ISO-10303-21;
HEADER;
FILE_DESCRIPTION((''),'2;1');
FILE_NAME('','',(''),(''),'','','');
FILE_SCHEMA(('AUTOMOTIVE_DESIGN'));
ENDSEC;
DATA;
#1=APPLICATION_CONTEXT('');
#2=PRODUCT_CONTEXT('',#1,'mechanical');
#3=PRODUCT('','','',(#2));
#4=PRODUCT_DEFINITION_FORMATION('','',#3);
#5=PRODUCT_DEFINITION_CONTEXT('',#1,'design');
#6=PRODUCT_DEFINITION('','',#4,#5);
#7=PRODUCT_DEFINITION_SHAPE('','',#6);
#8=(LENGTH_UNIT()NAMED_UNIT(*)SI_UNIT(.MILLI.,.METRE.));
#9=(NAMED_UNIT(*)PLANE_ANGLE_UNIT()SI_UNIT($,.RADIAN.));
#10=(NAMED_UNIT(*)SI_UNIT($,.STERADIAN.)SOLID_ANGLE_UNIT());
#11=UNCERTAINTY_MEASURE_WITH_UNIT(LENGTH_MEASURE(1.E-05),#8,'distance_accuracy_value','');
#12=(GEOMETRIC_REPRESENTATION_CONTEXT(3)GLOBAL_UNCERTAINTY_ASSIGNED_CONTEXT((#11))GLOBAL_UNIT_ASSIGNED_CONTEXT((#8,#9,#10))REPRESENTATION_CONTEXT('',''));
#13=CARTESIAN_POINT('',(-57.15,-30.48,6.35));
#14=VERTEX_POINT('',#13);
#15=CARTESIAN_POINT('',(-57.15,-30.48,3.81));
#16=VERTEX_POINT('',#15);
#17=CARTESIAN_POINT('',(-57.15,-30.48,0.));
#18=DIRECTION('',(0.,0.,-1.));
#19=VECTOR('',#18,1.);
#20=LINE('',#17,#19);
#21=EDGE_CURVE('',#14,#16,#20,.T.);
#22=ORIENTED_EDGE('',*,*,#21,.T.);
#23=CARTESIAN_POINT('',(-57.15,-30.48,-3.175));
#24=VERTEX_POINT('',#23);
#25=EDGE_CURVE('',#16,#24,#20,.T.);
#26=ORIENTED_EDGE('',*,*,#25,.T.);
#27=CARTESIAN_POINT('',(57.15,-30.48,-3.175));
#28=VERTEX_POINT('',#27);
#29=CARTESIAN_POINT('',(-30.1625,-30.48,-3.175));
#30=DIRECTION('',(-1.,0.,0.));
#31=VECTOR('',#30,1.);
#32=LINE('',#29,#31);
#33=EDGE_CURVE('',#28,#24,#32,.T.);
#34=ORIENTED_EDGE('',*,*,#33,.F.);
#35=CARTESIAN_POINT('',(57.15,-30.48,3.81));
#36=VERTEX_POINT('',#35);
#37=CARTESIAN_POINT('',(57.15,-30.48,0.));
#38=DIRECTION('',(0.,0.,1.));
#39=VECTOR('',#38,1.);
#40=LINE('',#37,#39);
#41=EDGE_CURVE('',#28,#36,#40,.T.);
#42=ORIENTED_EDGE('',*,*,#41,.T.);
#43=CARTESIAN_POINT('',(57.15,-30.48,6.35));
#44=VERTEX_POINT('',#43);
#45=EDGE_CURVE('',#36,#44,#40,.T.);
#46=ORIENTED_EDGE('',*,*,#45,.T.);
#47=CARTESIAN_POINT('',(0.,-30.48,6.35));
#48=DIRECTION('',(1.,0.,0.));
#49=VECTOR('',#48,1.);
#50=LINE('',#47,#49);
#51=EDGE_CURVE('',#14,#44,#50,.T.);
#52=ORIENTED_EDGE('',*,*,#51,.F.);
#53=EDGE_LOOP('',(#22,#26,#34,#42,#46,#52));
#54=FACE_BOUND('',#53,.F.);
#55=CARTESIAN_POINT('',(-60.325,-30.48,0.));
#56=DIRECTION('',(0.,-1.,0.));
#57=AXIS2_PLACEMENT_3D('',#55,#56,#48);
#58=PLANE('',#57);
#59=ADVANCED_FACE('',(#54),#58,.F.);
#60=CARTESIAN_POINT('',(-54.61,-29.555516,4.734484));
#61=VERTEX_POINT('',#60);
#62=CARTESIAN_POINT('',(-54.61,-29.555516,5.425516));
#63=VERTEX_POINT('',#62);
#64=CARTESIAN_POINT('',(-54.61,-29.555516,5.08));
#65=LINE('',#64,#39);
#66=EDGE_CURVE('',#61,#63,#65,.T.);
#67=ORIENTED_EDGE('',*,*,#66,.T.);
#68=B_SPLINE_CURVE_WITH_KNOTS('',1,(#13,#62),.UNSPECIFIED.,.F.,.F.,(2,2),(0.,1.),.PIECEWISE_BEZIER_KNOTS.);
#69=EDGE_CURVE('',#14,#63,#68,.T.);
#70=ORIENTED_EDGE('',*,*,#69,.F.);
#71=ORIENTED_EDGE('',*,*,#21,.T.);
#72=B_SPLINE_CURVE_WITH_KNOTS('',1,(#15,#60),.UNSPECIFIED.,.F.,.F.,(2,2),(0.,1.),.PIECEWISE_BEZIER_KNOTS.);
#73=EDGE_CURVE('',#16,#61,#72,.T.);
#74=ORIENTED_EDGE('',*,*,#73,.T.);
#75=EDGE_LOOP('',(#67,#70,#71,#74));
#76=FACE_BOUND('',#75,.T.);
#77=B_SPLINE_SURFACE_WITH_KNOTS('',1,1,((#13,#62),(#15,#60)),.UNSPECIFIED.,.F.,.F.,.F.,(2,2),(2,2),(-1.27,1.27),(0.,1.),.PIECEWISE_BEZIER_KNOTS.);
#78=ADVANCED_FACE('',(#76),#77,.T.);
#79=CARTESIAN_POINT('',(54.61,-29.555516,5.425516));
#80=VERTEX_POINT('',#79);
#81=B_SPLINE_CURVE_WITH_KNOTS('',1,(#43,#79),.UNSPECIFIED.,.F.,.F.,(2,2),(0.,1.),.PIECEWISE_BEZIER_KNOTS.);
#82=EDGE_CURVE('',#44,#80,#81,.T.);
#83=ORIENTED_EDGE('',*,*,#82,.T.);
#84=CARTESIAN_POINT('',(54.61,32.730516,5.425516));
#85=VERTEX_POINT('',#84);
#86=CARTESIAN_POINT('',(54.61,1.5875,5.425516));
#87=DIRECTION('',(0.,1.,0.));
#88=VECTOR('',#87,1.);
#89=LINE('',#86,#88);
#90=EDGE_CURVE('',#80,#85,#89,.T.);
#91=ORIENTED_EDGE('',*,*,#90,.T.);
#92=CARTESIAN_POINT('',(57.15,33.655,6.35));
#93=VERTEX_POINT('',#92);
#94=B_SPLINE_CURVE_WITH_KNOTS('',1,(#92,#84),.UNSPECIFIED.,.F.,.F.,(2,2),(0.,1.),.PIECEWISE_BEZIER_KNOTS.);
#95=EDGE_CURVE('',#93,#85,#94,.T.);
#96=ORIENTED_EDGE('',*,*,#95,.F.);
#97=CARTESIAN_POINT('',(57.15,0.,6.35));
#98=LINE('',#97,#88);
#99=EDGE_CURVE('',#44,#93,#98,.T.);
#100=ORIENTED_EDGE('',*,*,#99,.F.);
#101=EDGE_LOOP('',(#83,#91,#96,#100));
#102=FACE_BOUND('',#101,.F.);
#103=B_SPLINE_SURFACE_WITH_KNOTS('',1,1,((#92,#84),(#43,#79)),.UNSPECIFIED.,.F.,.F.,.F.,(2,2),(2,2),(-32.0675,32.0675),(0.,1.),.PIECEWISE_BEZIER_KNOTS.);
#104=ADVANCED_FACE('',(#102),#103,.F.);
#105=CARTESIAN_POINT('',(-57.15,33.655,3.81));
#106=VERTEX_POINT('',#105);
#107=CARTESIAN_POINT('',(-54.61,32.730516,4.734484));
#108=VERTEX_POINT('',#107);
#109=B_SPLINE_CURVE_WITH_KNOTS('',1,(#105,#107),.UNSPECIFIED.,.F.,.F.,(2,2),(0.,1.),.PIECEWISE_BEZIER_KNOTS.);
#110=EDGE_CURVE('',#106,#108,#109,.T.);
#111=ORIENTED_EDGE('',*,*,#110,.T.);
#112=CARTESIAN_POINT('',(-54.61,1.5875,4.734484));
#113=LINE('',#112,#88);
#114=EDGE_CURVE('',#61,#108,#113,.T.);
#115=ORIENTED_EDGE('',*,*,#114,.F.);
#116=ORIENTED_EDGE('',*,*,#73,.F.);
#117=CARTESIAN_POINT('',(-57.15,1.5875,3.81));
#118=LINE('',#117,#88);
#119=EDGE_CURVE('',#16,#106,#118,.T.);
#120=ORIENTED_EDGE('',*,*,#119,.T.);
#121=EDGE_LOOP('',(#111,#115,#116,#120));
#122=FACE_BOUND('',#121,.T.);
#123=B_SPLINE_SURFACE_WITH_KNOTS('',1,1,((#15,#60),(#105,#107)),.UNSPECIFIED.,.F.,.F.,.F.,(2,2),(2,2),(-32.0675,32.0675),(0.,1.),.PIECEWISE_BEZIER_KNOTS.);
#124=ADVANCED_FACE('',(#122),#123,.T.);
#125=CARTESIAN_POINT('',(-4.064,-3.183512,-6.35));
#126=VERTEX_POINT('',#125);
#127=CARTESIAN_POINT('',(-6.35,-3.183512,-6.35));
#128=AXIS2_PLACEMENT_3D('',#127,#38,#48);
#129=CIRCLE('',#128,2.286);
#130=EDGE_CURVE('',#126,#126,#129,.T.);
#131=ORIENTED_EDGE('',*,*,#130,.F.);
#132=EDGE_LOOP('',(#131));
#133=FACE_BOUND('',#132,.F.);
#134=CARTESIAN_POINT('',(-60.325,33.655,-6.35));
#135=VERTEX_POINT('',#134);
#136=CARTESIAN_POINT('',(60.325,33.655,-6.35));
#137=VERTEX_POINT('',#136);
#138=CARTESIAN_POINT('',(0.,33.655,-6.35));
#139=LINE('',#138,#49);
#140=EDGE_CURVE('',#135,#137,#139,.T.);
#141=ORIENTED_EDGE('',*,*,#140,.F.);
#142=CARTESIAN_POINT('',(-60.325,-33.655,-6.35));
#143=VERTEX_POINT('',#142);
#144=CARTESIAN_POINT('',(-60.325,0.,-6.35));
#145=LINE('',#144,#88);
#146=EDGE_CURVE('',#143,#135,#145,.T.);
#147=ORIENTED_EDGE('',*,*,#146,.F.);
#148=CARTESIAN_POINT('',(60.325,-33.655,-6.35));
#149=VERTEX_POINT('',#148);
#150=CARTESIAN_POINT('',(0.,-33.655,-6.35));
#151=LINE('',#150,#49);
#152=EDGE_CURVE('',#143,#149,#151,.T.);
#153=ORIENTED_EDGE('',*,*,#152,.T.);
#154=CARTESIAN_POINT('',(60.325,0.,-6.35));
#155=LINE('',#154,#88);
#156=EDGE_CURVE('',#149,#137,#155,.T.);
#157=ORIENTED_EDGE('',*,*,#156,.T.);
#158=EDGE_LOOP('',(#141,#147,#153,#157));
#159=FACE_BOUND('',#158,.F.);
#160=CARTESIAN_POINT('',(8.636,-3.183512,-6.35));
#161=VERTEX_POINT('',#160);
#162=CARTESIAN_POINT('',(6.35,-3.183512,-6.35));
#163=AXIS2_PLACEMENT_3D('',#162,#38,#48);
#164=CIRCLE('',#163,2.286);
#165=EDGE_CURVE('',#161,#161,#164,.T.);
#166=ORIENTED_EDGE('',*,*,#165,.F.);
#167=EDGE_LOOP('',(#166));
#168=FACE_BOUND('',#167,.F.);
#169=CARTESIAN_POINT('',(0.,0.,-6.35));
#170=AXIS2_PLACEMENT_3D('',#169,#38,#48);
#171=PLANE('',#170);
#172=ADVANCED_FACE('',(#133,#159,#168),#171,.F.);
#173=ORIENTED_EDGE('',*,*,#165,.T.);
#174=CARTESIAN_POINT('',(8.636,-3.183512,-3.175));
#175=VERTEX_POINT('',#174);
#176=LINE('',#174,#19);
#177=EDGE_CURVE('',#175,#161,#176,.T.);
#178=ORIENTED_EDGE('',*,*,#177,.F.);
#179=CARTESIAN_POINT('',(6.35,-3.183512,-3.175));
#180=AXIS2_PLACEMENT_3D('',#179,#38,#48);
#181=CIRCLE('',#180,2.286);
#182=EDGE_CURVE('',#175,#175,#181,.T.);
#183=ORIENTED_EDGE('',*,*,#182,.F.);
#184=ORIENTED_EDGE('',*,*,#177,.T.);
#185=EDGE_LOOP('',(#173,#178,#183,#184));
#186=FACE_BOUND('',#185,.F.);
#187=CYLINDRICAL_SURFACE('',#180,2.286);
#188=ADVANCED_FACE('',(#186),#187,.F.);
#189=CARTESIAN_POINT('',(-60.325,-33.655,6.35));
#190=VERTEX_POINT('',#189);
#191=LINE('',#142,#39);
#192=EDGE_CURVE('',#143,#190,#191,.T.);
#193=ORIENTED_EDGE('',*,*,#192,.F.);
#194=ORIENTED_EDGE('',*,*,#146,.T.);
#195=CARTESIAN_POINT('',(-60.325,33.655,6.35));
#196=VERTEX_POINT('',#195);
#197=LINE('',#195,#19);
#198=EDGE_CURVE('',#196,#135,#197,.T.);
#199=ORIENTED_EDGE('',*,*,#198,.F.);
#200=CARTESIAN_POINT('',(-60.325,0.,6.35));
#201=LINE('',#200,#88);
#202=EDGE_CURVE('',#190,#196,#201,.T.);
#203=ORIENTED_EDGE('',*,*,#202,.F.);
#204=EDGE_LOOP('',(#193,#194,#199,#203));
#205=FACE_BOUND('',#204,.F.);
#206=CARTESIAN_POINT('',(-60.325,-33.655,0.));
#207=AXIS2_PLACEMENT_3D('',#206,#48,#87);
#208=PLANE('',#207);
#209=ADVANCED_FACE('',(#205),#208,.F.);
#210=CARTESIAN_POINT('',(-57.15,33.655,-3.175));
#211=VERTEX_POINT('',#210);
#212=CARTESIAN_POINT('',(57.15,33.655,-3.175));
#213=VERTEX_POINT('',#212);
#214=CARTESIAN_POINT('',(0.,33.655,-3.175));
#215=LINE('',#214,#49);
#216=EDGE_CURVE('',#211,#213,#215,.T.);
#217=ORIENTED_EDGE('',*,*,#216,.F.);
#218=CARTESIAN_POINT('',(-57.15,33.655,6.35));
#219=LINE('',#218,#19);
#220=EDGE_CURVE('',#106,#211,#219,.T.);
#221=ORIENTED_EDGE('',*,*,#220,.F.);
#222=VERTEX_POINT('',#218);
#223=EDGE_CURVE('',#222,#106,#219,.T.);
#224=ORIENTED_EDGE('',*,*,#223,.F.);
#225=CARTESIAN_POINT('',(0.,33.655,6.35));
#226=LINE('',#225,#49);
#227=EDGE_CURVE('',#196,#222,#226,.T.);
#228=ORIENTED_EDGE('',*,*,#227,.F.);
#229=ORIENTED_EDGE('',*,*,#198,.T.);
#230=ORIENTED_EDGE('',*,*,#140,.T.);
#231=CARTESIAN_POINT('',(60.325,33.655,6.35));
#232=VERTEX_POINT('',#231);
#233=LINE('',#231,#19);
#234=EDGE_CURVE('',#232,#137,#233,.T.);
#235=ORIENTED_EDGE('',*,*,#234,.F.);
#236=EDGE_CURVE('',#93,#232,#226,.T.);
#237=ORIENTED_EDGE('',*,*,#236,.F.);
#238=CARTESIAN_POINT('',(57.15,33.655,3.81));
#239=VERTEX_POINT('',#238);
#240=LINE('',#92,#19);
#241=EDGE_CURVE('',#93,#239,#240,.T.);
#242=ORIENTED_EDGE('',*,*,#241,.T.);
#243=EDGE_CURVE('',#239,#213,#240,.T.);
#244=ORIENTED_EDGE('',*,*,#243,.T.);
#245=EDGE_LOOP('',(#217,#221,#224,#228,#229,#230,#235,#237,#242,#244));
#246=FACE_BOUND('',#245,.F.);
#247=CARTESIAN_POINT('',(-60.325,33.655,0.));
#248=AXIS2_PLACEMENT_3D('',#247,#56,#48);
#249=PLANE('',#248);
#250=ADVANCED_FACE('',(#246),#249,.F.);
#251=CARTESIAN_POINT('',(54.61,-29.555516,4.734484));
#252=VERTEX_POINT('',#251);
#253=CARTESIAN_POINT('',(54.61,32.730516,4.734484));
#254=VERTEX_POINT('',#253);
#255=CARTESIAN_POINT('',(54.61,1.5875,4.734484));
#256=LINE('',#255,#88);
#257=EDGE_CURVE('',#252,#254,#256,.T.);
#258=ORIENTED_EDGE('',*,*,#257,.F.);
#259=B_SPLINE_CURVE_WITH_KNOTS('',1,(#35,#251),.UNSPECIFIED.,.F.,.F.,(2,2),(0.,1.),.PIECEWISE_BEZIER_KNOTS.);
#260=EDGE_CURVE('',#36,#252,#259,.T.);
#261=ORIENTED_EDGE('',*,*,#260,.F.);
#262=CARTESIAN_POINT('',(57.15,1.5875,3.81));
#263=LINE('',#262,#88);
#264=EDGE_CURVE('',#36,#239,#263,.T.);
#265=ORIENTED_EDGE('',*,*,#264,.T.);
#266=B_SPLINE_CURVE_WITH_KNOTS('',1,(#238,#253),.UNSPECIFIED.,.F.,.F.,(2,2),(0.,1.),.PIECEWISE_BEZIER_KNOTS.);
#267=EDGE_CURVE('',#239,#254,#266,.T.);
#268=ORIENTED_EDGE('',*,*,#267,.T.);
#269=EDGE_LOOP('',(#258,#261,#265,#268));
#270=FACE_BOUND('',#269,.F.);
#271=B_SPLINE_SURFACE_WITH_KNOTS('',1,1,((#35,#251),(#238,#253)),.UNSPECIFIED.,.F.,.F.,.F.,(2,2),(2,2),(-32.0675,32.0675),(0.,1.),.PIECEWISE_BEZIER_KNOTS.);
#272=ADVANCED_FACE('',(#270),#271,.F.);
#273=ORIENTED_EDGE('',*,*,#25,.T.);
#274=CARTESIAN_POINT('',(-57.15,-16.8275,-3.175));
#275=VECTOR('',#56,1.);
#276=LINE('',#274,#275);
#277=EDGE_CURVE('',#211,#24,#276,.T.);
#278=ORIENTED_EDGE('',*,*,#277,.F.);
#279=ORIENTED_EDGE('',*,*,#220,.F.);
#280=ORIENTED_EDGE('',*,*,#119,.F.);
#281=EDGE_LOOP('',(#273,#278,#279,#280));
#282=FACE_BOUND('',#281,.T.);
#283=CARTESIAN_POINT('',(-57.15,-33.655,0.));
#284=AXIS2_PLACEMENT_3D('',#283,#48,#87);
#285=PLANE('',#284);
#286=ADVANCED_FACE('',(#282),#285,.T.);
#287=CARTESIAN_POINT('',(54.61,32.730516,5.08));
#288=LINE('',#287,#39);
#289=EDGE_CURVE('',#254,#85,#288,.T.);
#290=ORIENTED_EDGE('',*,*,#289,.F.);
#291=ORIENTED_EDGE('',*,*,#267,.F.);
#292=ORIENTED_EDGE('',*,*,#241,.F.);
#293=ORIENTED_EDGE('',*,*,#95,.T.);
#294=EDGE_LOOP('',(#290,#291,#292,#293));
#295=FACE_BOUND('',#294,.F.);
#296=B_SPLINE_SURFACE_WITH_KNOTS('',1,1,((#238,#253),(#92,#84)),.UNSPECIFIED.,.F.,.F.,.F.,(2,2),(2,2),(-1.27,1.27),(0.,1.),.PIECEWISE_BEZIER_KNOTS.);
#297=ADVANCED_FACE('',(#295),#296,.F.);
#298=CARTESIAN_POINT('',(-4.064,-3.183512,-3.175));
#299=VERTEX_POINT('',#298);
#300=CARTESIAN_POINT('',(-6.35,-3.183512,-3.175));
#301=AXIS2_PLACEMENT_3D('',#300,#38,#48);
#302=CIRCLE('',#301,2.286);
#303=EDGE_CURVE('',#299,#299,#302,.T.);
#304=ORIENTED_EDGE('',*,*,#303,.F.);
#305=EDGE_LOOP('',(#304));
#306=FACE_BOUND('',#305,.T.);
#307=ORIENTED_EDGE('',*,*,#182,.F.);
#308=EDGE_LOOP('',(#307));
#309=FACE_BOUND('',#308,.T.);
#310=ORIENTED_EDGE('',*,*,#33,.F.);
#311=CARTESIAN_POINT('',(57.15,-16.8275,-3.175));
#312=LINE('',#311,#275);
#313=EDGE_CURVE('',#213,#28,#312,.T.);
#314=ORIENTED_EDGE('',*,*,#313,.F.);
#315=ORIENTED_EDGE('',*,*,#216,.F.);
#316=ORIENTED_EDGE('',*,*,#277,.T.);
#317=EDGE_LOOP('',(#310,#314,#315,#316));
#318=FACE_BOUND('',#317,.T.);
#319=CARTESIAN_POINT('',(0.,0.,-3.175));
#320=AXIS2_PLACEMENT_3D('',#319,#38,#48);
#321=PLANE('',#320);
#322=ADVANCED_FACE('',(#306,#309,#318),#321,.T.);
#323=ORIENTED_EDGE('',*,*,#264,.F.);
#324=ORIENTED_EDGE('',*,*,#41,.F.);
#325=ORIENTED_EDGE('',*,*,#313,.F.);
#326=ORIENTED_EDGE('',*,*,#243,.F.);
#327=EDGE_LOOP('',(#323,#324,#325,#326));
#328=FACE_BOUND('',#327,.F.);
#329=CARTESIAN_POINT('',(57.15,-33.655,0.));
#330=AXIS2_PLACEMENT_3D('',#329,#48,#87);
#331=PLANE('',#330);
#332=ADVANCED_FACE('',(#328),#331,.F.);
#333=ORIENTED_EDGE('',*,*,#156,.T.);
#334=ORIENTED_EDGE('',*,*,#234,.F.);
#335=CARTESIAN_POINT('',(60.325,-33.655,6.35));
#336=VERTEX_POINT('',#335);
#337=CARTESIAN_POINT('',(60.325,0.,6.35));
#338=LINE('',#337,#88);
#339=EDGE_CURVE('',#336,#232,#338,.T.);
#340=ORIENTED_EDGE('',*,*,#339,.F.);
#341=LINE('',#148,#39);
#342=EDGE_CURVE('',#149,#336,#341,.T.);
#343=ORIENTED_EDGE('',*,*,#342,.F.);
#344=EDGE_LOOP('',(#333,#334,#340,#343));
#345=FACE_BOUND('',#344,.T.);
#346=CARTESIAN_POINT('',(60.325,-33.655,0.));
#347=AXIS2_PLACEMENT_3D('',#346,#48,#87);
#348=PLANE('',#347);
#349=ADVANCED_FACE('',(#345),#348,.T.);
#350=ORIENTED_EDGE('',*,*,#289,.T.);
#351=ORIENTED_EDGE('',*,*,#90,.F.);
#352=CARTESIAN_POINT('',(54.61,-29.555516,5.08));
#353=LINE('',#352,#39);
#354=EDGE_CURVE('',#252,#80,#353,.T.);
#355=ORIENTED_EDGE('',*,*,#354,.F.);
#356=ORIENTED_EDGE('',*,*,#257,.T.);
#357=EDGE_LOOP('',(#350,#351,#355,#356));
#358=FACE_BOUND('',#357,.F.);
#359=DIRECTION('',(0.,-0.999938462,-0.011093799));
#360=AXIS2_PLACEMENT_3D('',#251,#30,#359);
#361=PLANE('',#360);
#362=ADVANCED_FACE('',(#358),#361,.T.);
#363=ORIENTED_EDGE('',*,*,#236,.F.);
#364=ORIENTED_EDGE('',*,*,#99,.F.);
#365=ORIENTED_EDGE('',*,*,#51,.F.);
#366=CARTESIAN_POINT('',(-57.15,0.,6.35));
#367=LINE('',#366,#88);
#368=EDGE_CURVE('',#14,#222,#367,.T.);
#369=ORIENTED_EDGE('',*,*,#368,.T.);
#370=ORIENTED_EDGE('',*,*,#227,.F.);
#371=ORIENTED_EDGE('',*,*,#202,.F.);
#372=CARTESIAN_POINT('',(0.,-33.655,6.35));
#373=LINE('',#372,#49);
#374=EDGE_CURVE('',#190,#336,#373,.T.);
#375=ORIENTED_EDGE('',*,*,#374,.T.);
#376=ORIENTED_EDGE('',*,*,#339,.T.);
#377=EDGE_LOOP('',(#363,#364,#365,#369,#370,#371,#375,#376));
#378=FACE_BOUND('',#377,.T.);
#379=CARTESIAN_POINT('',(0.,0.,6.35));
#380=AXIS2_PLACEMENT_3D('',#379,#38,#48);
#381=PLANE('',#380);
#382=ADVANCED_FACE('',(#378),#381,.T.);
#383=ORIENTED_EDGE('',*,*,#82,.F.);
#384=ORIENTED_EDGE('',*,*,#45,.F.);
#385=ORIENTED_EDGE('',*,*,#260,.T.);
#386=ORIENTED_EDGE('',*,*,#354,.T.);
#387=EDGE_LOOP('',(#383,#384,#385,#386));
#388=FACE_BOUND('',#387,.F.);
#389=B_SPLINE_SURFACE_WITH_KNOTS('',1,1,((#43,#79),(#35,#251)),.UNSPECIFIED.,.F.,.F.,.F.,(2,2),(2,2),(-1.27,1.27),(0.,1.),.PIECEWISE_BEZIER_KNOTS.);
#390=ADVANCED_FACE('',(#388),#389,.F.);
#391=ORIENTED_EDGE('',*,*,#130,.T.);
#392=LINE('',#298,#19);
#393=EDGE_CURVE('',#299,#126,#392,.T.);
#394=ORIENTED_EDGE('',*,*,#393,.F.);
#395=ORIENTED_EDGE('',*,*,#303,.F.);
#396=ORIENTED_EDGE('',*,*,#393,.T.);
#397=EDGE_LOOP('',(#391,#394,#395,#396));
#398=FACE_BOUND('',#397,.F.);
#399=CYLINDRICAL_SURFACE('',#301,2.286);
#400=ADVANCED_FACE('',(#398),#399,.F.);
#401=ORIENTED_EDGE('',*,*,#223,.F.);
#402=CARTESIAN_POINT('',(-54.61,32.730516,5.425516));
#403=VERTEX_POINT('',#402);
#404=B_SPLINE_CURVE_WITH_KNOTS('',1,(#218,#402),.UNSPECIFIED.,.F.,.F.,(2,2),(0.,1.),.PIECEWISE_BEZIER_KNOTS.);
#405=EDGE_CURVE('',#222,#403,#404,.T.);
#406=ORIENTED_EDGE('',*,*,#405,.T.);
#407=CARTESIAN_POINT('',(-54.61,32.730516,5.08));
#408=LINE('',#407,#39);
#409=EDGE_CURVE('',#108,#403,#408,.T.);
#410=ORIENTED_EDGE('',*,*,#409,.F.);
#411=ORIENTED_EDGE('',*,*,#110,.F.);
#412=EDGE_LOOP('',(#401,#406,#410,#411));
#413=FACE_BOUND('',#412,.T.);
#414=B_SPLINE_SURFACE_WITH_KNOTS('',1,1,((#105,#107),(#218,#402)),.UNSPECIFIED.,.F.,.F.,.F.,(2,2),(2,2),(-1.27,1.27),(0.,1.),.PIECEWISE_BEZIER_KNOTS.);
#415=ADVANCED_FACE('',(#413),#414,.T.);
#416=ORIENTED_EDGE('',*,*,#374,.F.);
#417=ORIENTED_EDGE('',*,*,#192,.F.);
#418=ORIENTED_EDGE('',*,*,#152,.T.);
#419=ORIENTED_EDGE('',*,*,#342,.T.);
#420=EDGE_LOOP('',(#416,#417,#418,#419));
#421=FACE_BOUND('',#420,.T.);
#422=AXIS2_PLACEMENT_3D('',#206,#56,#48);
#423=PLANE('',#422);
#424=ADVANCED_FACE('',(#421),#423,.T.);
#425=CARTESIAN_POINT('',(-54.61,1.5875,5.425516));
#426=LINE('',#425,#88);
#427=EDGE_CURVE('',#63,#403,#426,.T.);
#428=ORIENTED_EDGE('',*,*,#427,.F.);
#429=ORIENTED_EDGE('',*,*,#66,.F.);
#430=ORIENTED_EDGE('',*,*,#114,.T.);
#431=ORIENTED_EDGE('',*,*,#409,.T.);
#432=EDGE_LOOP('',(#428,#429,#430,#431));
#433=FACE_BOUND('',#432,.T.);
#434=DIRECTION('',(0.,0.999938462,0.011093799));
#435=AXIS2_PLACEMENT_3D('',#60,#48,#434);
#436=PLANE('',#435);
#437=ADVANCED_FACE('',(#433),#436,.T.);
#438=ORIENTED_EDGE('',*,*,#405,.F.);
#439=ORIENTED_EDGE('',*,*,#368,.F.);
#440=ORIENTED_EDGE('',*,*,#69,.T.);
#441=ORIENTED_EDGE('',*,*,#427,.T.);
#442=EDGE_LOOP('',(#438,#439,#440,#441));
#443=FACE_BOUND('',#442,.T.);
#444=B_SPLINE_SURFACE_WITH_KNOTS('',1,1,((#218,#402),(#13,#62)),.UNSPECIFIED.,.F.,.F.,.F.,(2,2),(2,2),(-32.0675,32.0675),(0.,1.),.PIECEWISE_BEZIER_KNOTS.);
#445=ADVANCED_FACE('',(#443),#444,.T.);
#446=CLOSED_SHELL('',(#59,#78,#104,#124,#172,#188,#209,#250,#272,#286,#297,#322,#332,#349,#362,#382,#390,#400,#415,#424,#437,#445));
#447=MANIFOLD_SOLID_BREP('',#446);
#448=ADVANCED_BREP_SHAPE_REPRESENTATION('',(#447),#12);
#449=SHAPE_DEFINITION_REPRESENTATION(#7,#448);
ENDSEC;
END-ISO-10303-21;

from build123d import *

# Parameters (mm, degrees)
F0_W     = 120.65
F0_H     = 67.31
F1_DEPTH = 6.35
F2_T     = -3.175
F3_W     = 64.135
F3_H     = 2.54
F4_DEPTH = 2.54
F4_TAPER = 20
F6_R     = 2.286
F7_DEPTH = 25.4


with BuildPart() as f1:
    # F0 (on Top) → F1 (new body, symmetric)
    with BuildSketch(Plane.XY):
        Rectangle(F0_W, F0_H)
    extrude(amount=F1_DEPTH, both=True)

    # F2
    f2_openings = [f1.faces().sort_by_distance(p)[0] for p in [
        (0, 0, 6.35),
        (0, 33.655, 0),
    ]]
    offset(amount=F2_T, openings=f2_openings)

    # F3 (on face) → F4 (join)
    with BuildSketch(Plane.YZ.offset(-57.15)):
        with Locations((1.5875, 5.08)):
            Rectangle(F3_W, F3_H)
    extrude(amount=F4_DEPTH, taper=F4_TAPER)

    # F5: F1 across plane


with BuildPart() as f1_1:
    add(f1.part)
    add(f1.part.mirror(Plane.YZ))

    # F6 (on face) → F7 (cut)
    with BuildSketch(Plane.XY.offset(-3.175)):
        with Locations((-6.35, -3.1835122595)):
            Circle(F6_R)
        with Locations((6.35, -3.1835122595)):
            Circle(F6_R)
    extrude(amount=-F7_DEPTH, mode=Mode.SUBTRACT)


solid = f1_1.part
